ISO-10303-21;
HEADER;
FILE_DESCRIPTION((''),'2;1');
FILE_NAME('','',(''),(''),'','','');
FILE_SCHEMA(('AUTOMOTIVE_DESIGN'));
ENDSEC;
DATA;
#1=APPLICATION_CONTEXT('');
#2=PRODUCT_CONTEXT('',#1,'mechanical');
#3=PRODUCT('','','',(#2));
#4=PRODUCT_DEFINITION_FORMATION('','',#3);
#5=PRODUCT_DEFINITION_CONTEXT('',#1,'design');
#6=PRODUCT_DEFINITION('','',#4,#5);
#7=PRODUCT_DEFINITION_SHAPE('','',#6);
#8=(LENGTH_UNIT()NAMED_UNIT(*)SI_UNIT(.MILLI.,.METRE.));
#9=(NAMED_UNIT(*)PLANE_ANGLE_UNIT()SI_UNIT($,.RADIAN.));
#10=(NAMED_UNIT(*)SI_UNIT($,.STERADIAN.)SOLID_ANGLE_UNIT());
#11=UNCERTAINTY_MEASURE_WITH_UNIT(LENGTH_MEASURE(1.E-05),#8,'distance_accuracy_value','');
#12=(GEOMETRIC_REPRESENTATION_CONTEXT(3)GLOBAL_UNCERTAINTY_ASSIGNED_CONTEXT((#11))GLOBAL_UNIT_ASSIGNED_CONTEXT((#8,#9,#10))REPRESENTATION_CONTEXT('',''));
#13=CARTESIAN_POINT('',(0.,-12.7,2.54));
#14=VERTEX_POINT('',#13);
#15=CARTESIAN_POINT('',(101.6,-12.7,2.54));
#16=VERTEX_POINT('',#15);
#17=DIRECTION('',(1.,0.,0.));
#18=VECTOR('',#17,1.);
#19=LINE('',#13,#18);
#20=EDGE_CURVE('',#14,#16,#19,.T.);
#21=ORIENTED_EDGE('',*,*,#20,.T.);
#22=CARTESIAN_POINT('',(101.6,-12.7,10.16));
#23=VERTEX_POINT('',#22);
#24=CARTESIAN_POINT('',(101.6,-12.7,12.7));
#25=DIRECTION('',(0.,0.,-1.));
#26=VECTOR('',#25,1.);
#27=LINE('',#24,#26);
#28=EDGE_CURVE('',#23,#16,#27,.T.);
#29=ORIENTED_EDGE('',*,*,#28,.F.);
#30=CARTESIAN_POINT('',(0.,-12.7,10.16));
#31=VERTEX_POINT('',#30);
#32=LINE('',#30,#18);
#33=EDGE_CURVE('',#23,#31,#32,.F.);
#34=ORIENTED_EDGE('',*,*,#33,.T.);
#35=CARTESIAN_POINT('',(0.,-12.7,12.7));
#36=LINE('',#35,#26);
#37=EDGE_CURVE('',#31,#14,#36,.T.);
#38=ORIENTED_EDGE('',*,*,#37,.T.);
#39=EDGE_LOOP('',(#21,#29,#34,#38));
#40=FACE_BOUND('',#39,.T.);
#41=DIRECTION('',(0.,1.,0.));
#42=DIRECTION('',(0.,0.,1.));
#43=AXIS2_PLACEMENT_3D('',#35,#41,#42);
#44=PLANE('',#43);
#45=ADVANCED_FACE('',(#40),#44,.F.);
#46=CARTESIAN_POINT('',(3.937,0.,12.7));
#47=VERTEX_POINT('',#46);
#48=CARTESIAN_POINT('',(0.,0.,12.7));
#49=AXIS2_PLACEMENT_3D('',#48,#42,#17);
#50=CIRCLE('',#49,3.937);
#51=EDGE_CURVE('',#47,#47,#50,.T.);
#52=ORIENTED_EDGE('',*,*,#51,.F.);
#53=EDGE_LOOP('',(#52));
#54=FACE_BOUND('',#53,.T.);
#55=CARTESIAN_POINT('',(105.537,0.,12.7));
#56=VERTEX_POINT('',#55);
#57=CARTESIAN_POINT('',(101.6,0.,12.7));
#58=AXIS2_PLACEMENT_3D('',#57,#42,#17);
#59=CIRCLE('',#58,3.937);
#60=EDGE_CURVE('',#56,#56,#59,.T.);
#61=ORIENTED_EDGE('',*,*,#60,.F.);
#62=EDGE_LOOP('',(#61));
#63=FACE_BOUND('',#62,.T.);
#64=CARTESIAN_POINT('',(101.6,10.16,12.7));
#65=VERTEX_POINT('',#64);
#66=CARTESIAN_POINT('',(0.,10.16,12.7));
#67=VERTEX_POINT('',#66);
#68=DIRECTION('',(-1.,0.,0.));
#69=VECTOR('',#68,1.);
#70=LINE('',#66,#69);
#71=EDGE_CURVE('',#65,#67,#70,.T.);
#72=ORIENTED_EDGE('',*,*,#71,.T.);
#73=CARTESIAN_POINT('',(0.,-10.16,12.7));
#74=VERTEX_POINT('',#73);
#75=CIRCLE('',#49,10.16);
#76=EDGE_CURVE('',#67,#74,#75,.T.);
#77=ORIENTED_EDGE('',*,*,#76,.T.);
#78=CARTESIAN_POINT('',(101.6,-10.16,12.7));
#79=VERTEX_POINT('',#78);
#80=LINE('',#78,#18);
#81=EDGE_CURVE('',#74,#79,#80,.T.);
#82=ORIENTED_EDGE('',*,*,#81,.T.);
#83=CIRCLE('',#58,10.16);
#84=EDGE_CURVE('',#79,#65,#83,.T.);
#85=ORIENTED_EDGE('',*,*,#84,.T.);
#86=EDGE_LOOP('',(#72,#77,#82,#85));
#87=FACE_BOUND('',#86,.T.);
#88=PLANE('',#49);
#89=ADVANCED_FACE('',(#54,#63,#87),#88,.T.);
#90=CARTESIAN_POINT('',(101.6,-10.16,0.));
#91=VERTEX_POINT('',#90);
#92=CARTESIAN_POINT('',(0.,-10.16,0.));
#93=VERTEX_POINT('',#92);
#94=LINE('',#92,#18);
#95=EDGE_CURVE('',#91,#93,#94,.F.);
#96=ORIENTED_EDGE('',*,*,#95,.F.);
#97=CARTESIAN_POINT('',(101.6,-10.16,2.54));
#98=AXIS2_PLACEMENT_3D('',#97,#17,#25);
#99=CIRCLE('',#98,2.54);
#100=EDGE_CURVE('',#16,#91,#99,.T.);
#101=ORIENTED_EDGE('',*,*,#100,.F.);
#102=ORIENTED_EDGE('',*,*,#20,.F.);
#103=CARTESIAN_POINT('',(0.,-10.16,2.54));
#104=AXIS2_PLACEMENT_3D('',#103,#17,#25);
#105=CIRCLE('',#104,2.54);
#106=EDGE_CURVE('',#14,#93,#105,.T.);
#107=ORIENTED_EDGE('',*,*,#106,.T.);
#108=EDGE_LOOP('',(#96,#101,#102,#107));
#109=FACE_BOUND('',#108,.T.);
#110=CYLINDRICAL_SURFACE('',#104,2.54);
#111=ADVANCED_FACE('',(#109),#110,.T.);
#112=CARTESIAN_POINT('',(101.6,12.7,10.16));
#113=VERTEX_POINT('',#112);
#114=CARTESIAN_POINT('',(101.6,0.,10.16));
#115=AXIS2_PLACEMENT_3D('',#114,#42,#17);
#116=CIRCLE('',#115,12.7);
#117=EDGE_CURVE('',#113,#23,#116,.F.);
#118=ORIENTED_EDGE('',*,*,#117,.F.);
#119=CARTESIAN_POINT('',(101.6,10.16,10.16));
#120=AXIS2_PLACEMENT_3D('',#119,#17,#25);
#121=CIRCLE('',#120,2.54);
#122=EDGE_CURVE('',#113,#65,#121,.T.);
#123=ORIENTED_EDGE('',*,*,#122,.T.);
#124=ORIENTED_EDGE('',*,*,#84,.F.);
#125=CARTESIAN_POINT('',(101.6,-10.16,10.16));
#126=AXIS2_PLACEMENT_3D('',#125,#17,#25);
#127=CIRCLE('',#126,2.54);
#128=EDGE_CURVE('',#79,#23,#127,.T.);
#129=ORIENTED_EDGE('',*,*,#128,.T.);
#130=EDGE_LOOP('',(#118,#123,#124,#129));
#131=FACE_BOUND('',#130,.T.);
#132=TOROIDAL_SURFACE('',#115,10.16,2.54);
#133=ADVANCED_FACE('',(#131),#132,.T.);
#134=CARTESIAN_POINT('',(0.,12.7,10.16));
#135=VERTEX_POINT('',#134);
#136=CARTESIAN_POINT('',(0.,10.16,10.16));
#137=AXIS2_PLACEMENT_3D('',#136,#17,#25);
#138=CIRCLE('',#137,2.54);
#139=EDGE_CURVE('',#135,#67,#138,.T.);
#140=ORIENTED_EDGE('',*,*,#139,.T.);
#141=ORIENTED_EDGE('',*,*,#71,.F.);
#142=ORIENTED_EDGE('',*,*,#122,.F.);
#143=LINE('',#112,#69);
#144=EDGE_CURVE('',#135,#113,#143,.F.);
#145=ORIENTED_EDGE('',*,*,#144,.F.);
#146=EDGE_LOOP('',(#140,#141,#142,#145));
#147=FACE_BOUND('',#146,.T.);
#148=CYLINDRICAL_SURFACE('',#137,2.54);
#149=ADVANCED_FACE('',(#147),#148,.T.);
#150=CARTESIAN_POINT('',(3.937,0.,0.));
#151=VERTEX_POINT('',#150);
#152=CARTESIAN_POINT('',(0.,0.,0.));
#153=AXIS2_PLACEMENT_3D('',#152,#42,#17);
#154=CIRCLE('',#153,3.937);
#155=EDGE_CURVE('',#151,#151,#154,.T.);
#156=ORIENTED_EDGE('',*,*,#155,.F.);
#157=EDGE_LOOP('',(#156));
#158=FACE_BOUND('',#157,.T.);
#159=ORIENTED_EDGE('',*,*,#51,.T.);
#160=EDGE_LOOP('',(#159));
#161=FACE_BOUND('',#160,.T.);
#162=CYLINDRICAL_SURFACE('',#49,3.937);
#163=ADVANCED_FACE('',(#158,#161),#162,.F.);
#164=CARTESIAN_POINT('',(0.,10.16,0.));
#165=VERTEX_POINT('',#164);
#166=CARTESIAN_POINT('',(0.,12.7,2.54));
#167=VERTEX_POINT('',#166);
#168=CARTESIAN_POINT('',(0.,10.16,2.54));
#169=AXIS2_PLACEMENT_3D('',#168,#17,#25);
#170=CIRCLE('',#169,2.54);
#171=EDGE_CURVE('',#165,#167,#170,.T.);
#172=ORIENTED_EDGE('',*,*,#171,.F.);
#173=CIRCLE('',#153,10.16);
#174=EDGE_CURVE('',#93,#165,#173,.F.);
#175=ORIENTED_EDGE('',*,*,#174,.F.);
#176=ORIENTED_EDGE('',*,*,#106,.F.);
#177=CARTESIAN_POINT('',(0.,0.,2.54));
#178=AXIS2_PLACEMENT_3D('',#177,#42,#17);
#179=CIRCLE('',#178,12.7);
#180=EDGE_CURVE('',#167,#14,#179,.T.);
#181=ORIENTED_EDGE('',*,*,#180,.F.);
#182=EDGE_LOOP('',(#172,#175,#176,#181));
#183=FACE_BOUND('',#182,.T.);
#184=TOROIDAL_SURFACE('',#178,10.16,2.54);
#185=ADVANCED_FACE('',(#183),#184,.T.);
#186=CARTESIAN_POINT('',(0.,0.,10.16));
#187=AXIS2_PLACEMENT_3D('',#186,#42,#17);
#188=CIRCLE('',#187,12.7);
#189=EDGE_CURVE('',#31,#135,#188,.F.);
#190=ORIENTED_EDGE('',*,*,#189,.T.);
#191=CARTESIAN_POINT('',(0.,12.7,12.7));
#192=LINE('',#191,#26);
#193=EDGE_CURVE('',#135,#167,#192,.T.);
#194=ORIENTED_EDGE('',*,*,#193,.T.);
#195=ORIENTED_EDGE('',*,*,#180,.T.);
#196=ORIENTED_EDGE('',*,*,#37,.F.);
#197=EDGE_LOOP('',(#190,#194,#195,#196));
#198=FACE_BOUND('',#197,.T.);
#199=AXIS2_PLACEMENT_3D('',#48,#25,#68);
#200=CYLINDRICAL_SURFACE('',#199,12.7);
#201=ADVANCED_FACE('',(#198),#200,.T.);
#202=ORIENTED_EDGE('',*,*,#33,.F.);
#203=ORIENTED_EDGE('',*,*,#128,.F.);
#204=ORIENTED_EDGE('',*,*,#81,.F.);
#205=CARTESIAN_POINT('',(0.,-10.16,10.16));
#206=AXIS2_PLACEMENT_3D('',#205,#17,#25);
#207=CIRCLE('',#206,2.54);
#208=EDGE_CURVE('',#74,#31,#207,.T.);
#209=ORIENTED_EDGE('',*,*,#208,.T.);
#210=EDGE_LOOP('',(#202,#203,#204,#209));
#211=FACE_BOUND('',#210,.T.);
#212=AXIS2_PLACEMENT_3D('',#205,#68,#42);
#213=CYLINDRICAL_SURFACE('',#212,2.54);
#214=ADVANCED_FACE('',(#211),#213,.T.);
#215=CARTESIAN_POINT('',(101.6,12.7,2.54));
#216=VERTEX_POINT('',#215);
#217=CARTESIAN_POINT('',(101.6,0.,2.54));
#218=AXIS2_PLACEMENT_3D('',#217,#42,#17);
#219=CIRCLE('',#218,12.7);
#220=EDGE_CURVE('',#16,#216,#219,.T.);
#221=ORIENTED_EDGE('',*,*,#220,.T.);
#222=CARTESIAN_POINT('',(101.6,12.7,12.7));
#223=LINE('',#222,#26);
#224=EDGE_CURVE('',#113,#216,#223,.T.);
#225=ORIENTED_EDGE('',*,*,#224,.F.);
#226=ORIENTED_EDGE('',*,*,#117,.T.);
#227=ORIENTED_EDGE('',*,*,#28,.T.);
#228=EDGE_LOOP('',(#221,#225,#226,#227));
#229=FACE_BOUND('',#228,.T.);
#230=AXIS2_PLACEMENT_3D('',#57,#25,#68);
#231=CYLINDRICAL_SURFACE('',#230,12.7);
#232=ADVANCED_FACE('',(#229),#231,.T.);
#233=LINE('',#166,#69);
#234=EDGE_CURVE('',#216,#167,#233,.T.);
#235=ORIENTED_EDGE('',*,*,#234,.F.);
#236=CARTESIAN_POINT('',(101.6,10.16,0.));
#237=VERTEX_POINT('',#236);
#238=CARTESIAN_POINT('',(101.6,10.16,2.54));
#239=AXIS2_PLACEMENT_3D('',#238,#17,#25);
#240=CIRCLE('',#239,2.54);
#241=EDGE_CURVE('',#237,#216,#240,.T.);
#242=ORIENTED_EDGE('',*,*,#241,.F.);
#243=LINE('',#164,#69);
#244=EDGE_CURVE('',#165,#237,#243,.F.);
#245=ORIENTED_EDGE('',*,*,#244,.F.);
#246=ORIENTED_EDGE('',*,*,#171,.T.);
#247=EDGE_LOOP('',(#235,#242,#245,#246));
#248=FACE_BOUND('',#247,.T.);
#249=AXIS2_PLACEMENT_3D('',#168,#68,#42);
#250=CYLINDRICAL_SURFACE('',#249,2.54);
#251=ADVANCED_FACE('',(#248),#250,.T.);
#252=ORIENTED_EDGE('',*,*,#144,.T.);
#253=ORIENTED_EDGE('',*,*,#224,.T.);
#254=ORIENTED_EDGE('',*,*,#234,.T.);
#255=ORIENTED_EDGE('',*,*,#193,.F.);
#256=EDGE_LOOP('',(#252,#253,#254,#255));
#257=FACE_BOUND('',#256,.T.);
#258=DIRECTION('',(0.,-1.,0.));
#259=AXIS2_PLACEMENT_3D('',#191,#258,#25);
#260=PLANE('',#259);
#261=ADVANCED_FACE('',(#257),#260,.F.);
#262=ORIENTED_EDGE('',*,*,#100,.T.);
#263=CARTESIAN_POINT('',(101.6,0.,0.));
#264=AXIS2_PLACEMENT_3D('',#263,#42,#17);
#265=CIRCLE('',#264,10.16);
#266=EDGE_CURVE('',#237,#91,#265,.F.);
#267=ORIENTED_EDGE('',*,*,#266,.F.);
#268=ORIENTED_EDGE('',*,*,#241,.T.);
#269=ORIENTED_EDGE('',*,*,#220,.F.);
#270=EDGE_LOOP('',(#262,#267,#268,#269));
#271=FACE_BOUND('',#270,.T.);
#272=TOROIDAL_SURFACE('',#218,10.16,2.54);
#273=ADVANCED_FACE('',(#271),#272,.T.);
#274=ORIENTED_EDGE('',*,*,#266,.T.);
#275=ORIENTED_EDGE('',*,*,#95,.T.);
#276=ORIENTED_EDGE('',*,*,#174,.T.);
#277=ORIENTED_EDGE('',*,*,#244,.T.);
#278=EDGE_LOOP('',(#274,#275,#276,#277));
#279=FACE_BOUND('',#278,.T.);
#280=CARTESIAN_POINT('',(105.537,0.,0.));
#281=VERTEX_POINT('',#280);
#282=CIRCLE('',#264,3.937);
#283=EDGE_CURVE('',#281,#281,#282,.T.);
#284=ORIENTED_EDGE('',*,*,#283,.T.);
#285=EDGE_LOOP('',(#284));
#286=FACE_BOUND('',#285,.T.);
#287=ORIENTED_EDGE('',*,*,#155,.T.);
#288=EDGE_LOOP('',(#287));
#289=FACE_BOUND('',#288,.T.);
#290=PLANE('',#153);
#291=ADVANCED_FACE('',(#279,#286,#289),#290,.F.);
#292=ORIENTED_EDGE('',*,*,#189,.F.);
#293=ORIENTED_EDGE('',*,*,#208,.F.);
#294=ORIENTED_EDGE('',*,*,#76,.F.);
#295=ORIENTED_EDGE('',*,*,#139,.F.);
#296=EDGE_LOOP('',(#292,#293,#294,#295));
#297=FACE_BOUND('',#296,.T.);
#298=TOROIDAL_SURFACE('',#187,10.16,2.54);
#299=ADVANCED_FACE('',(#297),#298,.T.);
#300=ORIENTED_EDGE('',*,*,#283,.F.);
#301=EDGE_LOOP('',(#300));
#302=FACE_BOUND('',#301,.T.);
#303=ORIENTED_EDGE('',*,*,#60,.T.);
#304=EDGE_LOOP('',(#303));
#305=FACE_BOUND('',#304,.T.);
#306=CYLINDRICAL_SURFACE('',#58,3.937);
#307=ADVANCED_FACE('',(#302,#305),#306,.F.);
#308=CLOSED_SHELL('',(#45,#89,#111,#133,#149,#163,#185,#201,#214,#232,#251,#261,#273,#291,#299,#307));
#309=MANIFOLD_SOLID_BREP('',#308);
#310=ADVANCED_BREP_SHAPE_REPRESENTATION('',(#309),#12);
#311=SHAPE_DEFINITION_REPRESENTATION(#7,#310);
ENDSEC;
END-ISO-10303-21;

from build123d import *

# Parameters (mm, degrees)
BOSS_EXTRUDE1_DEPTH            = 12.7
FILLET1_R                      = 2.54
F_97_0_31_DIAMETER_HOLE1_D     = 7.874
F_97_0_31_DIAMETER_HOLE1_DEPTH = 25.4
F_97_0_31_DIAMETER_HOLE1_TIP   = 2.365588257


with BuildPart() as part:
    # Sketch1 → Boss-Extrude1 (new body)
    with BuildSketch(Plane.XY):
        with BuildLine():
            Line((0, 12.7), (101.6, 12.7))
            ThreePointArc((101.6, 12.7), (114.3, 0), (101.6, -12.7))
            Line((101.6, -12.7), (0, -12.7))
            ThreePointArc((0, -12.7), (-12.7, 0), (0, 12.7))
        make_face()
    extrude(amount=BOSS_EXTRUDE1_DEPTH)

    # Fillet1
    fillet1_edges = [part.edges().sort_by_distance(p)[0] for p in [
        (114.3, 0, 12.7),
        (50.8, 12.7, 12.7),
        (-12.7, 0, 12.7),
        (50.8, 12.7, 0),
        (114.3, 0, 0),
        (50.8, -12.7, 0),
        (-12.7, 0, 0),
        (50.8, -12.7, 12.7),
    ]]
    fillet(fillet1_edges, radius=FILLET1_R)

    # #97 (0.31) Diameter Hole1
    with Locations(Plane.XY.offset(12.7)):
        with Locations((0, 0), (101.6, 0)):
            Hole(F_97_0_31_DIAMETER_HOLE1_D / 2, depth=F_97_0_31_DIAMETER_HOLE1_DEPTH)
            with Locations((0, 0, -(F_97_0_31_DIAMETER_HOLE1_DEPTH + F_97_0_31_DIAMETER_HOLE1_TIP / 2))):  # 118° drill point
                Cone(0, F_97_0_31_DIAMETER_HOLE1_D / 2, F_97_0_31_DIAMETER_HOLE1_TIP, mode=Mode.SUBTRACT)


solid = part.part
